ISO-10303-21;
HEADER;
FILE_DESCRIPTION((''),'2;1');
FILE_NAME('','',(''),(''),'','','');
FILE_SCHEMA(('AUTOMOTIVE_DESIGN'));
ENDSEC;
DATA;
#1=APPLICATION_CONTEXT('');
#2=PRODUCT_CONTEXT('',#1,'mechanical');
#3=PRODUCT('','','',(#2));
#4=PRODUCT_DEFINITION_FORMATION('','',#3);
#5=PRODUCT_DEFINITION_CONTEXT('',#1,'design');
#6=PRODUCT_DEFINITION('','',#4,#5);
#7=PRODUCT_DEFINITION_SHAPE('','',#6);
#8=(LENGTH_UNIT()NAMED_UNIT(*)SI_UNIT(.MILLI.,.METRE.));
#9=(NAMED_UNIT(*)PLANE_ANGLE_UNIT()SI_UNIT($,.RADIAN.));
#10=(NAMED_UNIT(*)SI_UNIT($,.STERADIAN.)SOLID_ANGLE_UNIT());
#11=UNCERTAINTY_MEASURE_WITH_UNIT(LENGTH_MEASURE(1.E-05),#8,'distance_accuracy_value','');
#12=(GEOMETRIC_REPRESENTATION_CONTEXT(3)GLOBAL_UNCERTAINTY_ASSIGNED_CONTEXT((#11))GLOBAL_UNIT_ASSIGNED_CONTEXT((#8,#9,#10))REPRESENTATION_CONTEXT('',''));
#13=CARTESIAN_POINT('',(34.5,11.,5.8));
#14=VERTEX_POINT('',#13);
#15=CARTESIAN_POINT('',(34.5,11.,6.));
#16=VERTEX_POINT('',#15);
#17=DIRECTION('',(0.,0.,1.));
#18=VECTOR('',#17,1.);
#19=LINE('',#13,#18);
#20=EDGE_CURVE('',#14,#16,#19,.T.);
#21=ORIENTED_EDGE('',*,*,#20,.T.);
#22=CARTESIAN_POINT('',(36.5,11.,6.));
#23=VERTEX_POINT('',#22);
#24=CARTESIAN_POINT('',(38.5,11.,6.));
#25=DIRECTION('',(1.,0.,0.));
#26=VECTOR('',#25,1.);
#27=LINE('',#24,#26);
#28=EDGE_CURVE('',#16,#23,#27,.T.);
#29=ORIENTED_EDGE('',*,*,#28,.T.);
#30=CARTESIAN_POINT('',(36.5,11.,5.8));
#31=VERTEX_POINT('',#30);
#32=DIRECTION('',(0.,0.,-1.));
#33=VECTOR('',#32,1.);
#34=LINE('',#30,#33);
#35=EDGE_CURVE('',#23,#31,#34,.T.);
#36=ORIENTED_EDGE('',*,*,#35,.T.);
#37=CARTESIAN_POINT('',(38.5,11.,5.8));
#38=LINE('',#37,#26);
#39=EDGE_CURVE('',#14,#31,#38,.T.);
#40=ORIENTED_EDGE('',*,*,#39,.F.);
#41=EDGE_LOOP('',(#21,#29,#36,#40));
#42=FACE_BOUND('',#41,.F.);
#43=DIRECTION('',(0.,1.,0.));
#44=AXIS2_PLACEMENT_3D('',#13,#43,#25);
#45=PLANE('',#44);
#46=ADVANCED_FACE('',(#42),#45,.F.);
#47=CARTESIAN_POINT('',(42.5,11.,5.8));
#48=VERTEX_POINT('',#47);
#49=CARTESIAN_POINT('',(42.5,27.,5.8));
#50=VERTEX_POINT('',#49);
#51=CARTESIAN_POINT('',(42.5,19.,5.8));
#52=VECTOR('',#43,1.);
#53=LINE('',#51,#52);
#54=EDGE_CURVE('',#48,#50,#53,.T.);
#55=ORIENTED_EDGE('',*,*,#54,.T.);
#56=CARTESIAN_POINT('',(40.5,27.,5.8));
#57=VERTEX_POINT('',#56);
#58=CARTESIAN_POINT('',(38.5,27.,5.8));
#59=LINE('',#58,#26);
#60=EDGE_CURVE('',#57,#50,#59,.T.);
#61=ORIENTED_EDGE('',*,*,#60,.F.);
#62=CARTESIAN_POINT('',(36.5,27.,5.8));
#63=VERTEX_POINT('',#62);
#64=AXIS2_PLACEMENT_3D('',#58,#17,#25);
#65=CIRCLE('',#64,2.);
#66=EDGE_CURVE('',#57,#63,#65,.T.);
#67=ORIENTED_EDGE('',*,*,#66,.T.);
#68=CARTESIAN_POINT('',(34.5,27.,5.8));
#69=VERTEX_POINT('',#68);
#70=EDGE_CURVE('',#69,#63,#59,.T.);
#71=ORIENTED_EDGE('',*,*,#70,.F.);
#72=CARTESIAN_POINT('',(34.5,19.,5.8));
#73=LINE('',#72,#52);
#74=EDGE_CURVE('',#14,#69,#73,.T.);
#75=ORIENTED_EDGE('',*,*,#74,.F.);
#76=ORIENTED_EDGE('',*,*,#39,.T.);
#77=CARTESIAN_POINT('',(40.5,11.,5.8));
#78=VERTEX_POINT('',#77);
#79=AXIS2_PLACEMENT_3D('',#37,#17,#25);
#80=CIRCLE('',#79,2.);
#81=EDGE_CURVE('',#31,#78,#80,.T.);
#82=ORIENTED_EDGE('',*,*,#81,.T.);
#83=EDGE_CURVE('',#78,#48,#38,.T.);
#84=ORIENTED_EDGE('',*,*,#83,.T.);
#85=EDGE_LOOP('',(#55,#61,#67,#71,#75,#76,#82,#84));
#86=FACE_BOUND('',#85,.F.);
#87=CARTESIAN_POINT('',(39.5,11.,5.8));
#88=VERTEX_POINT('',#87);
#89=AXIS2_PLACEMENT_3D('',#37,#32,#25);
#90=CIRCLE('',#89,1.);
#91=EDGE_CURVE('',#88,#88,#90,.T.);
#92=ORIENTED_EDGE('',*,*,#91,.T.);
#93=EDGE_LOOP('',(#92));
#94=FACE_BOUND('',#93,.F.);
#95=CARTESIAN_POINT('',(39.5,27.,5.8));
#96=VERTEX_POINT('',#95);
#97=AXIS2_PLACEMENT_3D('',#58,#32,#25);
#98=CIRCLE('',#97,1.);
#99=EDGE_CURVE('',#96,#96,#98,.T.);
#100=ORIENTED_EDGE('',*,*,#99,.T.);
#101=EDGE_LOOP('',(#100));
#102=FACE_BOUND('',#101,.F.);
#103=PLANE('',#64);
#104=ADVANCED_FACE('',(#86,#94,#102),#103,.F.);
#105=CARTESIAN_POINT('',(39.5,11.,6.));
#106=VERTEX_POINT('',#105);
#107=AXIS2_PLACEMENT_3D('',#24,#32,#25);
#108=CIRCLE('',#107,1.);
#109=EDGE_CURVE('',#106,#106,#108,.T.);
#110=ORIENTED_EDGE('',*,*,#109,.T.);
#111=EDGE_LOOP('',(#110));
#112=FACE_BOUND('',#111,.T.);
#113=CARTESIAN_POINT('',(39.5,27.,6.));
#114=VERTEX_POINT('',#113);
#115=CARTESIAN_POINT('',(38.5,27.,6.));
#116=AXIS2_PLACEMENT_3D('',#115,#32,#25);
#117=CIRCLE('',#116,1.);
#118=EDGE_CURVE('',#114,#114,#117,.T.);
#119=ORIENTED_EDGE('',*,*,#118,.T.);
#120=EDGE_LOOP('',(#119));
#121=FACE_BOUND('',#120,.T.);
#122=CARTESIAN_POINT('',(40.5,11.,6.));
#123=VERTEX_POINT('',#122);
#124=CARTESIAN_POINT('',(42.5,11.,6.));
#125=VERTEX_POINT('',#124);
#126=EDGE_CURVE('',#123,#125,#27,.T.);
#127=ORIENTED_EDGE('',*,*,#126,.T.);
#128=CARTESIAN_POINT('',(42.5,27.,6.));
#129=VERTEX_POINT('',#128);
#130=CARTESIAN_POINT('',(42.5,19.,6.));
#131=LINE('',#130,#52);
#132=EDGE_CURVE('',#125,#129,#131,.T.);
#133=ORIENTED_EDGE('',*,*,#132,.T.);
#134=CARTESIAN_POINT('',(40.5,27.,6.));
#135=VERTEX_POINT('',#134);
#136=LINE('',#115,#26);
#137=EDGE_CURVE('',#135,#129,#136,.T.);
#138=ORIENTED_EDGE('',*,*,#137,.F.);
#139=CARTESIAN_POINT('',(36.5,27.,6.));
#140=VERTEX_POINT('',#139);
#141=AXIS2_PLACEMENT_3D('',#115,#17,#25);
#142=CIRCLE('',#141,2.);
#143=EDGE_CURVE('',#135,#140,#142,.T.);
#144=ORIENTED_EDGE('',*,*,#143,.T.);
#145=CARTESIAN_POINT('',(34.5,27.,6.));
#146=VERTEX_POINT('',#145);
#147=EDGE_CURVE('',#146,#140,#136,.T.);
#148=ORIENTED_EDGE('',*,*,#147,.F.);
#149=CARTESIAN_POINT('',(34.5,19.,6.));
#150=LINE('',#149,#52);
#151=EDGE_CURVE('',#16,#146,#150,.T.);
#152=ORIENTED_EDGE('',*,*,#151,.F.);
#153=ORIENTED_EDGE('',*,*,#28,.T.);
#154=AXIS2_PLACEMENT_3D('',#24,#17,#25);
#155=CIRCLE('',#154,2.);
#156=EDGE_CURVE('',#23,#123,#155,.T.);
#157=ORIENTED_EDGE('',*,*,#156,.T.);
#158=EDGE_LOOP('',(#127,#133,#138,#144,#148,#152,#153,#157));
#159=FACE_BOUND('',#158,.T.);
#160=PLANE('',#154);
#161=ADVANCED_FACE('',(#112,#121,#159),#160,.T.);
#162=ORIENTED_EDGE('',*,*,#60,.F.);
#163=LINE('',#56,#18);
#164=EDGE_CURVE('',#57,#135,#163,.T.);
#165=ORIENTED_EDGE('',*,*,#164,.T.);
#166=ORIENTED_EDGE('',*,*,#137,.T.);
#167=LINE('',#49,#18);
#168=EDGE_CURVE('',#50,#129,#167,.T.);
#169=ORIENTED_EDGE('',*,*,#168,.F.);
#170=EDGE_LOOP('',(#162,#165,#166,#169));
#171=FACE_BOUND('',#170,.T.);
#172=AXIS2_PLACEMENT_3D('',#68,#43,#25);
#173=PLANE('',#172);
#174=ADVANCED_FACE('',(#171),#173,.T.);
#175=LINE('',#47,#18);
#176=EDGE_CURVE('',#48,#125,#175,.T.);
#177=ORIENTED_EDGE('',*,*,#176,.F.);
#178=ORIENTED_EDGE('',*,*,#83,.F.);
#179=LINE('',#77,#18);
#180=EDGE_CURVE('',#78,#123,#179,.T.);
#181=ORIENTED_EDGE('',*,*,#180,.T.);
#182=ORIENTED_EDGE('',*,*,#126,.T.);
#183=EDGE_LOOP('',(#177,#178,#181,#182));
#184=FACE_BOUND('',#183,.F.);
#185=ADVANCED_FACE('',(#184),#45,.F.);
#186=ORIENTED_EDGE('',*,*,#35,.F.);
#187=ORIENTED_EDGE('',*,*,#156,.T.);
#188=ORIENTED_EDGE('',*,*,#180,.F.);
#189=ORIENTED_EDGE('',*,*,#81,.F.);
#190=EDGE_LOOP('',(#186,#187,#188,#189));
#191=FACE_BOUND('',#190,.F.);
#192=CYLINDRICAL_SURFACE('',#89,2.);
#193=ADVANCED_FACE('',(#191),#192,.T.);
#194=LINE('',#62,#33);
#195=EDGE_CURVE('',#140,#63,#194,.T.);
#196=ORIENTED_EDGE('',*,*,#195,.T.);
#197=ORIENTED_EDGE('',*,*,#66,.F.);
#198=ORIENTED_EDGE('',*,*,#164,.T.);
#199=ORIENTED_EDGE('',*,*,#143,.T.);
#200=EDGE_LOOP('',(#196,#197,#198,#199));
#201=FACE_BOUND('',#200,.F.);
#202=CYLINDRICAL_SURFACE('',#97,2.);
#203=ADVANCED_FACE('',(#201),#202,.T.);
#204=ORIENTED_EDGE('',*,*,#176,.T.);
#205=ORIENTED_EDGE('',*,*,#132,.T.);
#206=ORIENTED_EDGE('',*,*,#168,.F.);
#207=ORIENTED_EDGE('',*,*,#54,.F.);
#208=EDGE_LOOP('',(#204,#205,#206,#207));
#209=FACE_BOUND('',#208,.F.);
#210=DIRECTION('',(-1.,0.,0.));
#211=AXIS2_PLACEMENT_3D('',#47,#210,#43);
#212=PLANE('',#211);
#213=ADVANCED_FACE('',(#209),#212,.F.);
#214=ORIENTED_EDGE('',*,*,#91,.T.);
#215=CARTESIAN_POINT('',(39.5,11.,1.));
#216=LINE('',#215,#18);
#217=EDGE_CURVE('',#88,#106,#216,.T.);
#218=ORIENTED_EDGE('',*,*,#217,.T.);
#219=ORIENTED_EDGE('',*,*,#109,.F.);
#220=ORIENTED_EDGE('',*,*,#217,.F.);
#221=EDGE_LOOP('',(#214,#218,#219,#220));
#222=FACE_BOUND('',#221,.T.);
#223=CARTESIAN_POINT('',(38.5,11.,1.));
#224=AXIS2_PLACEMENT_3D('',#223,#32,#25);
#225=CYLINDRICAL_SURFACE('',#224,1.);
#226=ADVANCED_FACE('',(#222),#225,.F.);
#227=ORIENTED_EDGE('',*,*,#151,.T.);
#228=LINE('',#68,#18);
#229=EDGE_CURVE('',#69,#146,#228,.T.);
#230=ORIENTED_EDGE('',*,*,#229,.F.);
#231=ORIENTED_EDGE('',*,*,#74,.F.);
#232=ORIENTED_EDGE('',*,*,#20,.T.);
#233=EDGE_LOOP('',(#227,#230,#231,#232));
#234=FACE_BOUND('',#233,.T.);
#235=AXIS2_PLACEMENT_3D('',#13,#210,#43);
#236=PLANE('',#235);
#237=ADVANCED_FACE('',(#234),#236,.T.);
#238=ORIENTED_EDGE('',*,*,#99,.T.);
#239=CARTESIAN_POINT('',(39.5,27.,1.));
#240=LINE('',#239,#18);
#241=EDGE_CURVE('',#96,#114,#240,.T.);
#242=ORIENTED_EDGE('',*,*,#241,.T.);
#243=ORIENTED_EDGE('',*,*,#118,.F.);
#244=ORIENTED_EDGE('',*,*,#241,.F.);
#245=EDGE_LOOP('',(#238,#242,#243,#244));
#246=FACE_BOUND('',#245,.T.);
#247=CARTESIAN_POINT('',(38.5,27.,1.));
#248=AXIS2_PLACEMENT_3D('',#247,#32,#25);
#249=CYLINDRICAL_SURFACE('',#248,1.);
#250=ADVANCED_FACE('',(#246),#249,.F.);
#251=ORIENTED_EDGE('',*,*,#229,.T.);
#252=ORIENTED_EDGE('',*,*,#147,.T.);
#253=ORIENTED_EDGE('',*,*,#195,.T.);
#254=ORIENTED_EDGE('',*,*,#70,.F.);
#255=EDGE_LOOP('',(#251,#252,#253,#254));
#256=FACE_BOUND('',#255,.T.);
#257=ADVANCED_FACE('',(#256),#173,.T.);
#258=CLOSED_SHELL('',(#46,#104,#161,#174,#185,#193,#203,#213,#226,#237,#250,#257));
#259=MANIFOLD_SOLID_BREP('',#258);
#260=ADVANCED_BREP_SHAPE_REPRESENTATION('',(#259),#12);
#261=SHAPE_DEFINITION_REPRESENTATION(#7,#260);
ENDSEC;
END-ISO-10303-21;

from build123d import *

# Parameters (mm, degrees)
CYLINDER005_R     = 1
CYLINDER005_DEPTH = 10
CYLINDER004_R     = 1
CYLINDER004_DEPTH = 10
CYLINDER001_R     = 2
CYLINDER001_DEPTH = 0.2
CYLINDER_R        = 2
CYLINDER_DEPTH    = 0.2
BOX008_W          = 8
BOX008_H          = 16
BOX008_DEPTH      = 0.2


with BuildPart() as cilindro005:
    # Cylinder005 → Cylinder005 (new body)
    with BuildSketch(Plane(origin=(38.5, 11, 1), x_dir=(1, 0, 0), z_dir=(0, 0, 1))):
        Circle(CYLINDER005_R)
    extrude(amount=CYLINDER005_DEPTH)


with BuildPart() as cilindro004:
    # Cylinder004 → Cylinder004 (new body)
    with BuildSketch(Plane(origin=(38.5, 27, 1), x_dir=(1, 0, 0), z_dir=(0, 0, 1))):
        Circle(CYLINDER004_R)
    extrude(amount=CYLINDER004_DEPTH)


with BuildPart() as cilindro001:
    # Cylinder001 → Cylinder001 (new body)
    with BuildSketch(Plane(origin=(39, 26.5, 1), x_dir=(1, 0, 0), z_dir=(0, 0, 1))):
        Circle(CYLINDER001_R)
    extrude(amount=CYLINDER001_DEPTH)


with BuildPart() as cilindro:
    # Cylinder → Cylinder (new body)
    with BuildSketch(Plane(origin=(39, 10.5, 1), x_dir=(1, 0, 0), z_dir=(0, 0, 1))):
        Circle(CYLINDER_R)
    extrude(amount=CYLINDER_DEPTH)


with BuildPart() as chapa_flex:
    # Box008 → Box008 (new body)
    with BuildSketch(Plane(origin=(35, 10.5, 1), x_dir=(1, 0, 0), z_dir=(0, 0, 1))):
        with Locations((4, 8)):
            Rectangle(BOX008_W, BOX008_H)
    extrude(amount=BOX008_DEPTH)

    # Fusion: union Cilindro001, Cilindro
    add(cilindro001.part)
    add(cilindro.part)


with BuildPart() as chapa_flex_1:
    # Fusion placement: moved
    add(chapa_flex.part.moved(Location((-0.5, 0.5, 4.8))))

    # Cut005: cut Cilindro004
    add(cilindro004.part, mode=Mode.SUBTRACT)

    # Cut006: cut Cilindro005
    add(cilindro005.part, mode=Mode.SUBTRACT)


solid = chapa_flex_1.part
